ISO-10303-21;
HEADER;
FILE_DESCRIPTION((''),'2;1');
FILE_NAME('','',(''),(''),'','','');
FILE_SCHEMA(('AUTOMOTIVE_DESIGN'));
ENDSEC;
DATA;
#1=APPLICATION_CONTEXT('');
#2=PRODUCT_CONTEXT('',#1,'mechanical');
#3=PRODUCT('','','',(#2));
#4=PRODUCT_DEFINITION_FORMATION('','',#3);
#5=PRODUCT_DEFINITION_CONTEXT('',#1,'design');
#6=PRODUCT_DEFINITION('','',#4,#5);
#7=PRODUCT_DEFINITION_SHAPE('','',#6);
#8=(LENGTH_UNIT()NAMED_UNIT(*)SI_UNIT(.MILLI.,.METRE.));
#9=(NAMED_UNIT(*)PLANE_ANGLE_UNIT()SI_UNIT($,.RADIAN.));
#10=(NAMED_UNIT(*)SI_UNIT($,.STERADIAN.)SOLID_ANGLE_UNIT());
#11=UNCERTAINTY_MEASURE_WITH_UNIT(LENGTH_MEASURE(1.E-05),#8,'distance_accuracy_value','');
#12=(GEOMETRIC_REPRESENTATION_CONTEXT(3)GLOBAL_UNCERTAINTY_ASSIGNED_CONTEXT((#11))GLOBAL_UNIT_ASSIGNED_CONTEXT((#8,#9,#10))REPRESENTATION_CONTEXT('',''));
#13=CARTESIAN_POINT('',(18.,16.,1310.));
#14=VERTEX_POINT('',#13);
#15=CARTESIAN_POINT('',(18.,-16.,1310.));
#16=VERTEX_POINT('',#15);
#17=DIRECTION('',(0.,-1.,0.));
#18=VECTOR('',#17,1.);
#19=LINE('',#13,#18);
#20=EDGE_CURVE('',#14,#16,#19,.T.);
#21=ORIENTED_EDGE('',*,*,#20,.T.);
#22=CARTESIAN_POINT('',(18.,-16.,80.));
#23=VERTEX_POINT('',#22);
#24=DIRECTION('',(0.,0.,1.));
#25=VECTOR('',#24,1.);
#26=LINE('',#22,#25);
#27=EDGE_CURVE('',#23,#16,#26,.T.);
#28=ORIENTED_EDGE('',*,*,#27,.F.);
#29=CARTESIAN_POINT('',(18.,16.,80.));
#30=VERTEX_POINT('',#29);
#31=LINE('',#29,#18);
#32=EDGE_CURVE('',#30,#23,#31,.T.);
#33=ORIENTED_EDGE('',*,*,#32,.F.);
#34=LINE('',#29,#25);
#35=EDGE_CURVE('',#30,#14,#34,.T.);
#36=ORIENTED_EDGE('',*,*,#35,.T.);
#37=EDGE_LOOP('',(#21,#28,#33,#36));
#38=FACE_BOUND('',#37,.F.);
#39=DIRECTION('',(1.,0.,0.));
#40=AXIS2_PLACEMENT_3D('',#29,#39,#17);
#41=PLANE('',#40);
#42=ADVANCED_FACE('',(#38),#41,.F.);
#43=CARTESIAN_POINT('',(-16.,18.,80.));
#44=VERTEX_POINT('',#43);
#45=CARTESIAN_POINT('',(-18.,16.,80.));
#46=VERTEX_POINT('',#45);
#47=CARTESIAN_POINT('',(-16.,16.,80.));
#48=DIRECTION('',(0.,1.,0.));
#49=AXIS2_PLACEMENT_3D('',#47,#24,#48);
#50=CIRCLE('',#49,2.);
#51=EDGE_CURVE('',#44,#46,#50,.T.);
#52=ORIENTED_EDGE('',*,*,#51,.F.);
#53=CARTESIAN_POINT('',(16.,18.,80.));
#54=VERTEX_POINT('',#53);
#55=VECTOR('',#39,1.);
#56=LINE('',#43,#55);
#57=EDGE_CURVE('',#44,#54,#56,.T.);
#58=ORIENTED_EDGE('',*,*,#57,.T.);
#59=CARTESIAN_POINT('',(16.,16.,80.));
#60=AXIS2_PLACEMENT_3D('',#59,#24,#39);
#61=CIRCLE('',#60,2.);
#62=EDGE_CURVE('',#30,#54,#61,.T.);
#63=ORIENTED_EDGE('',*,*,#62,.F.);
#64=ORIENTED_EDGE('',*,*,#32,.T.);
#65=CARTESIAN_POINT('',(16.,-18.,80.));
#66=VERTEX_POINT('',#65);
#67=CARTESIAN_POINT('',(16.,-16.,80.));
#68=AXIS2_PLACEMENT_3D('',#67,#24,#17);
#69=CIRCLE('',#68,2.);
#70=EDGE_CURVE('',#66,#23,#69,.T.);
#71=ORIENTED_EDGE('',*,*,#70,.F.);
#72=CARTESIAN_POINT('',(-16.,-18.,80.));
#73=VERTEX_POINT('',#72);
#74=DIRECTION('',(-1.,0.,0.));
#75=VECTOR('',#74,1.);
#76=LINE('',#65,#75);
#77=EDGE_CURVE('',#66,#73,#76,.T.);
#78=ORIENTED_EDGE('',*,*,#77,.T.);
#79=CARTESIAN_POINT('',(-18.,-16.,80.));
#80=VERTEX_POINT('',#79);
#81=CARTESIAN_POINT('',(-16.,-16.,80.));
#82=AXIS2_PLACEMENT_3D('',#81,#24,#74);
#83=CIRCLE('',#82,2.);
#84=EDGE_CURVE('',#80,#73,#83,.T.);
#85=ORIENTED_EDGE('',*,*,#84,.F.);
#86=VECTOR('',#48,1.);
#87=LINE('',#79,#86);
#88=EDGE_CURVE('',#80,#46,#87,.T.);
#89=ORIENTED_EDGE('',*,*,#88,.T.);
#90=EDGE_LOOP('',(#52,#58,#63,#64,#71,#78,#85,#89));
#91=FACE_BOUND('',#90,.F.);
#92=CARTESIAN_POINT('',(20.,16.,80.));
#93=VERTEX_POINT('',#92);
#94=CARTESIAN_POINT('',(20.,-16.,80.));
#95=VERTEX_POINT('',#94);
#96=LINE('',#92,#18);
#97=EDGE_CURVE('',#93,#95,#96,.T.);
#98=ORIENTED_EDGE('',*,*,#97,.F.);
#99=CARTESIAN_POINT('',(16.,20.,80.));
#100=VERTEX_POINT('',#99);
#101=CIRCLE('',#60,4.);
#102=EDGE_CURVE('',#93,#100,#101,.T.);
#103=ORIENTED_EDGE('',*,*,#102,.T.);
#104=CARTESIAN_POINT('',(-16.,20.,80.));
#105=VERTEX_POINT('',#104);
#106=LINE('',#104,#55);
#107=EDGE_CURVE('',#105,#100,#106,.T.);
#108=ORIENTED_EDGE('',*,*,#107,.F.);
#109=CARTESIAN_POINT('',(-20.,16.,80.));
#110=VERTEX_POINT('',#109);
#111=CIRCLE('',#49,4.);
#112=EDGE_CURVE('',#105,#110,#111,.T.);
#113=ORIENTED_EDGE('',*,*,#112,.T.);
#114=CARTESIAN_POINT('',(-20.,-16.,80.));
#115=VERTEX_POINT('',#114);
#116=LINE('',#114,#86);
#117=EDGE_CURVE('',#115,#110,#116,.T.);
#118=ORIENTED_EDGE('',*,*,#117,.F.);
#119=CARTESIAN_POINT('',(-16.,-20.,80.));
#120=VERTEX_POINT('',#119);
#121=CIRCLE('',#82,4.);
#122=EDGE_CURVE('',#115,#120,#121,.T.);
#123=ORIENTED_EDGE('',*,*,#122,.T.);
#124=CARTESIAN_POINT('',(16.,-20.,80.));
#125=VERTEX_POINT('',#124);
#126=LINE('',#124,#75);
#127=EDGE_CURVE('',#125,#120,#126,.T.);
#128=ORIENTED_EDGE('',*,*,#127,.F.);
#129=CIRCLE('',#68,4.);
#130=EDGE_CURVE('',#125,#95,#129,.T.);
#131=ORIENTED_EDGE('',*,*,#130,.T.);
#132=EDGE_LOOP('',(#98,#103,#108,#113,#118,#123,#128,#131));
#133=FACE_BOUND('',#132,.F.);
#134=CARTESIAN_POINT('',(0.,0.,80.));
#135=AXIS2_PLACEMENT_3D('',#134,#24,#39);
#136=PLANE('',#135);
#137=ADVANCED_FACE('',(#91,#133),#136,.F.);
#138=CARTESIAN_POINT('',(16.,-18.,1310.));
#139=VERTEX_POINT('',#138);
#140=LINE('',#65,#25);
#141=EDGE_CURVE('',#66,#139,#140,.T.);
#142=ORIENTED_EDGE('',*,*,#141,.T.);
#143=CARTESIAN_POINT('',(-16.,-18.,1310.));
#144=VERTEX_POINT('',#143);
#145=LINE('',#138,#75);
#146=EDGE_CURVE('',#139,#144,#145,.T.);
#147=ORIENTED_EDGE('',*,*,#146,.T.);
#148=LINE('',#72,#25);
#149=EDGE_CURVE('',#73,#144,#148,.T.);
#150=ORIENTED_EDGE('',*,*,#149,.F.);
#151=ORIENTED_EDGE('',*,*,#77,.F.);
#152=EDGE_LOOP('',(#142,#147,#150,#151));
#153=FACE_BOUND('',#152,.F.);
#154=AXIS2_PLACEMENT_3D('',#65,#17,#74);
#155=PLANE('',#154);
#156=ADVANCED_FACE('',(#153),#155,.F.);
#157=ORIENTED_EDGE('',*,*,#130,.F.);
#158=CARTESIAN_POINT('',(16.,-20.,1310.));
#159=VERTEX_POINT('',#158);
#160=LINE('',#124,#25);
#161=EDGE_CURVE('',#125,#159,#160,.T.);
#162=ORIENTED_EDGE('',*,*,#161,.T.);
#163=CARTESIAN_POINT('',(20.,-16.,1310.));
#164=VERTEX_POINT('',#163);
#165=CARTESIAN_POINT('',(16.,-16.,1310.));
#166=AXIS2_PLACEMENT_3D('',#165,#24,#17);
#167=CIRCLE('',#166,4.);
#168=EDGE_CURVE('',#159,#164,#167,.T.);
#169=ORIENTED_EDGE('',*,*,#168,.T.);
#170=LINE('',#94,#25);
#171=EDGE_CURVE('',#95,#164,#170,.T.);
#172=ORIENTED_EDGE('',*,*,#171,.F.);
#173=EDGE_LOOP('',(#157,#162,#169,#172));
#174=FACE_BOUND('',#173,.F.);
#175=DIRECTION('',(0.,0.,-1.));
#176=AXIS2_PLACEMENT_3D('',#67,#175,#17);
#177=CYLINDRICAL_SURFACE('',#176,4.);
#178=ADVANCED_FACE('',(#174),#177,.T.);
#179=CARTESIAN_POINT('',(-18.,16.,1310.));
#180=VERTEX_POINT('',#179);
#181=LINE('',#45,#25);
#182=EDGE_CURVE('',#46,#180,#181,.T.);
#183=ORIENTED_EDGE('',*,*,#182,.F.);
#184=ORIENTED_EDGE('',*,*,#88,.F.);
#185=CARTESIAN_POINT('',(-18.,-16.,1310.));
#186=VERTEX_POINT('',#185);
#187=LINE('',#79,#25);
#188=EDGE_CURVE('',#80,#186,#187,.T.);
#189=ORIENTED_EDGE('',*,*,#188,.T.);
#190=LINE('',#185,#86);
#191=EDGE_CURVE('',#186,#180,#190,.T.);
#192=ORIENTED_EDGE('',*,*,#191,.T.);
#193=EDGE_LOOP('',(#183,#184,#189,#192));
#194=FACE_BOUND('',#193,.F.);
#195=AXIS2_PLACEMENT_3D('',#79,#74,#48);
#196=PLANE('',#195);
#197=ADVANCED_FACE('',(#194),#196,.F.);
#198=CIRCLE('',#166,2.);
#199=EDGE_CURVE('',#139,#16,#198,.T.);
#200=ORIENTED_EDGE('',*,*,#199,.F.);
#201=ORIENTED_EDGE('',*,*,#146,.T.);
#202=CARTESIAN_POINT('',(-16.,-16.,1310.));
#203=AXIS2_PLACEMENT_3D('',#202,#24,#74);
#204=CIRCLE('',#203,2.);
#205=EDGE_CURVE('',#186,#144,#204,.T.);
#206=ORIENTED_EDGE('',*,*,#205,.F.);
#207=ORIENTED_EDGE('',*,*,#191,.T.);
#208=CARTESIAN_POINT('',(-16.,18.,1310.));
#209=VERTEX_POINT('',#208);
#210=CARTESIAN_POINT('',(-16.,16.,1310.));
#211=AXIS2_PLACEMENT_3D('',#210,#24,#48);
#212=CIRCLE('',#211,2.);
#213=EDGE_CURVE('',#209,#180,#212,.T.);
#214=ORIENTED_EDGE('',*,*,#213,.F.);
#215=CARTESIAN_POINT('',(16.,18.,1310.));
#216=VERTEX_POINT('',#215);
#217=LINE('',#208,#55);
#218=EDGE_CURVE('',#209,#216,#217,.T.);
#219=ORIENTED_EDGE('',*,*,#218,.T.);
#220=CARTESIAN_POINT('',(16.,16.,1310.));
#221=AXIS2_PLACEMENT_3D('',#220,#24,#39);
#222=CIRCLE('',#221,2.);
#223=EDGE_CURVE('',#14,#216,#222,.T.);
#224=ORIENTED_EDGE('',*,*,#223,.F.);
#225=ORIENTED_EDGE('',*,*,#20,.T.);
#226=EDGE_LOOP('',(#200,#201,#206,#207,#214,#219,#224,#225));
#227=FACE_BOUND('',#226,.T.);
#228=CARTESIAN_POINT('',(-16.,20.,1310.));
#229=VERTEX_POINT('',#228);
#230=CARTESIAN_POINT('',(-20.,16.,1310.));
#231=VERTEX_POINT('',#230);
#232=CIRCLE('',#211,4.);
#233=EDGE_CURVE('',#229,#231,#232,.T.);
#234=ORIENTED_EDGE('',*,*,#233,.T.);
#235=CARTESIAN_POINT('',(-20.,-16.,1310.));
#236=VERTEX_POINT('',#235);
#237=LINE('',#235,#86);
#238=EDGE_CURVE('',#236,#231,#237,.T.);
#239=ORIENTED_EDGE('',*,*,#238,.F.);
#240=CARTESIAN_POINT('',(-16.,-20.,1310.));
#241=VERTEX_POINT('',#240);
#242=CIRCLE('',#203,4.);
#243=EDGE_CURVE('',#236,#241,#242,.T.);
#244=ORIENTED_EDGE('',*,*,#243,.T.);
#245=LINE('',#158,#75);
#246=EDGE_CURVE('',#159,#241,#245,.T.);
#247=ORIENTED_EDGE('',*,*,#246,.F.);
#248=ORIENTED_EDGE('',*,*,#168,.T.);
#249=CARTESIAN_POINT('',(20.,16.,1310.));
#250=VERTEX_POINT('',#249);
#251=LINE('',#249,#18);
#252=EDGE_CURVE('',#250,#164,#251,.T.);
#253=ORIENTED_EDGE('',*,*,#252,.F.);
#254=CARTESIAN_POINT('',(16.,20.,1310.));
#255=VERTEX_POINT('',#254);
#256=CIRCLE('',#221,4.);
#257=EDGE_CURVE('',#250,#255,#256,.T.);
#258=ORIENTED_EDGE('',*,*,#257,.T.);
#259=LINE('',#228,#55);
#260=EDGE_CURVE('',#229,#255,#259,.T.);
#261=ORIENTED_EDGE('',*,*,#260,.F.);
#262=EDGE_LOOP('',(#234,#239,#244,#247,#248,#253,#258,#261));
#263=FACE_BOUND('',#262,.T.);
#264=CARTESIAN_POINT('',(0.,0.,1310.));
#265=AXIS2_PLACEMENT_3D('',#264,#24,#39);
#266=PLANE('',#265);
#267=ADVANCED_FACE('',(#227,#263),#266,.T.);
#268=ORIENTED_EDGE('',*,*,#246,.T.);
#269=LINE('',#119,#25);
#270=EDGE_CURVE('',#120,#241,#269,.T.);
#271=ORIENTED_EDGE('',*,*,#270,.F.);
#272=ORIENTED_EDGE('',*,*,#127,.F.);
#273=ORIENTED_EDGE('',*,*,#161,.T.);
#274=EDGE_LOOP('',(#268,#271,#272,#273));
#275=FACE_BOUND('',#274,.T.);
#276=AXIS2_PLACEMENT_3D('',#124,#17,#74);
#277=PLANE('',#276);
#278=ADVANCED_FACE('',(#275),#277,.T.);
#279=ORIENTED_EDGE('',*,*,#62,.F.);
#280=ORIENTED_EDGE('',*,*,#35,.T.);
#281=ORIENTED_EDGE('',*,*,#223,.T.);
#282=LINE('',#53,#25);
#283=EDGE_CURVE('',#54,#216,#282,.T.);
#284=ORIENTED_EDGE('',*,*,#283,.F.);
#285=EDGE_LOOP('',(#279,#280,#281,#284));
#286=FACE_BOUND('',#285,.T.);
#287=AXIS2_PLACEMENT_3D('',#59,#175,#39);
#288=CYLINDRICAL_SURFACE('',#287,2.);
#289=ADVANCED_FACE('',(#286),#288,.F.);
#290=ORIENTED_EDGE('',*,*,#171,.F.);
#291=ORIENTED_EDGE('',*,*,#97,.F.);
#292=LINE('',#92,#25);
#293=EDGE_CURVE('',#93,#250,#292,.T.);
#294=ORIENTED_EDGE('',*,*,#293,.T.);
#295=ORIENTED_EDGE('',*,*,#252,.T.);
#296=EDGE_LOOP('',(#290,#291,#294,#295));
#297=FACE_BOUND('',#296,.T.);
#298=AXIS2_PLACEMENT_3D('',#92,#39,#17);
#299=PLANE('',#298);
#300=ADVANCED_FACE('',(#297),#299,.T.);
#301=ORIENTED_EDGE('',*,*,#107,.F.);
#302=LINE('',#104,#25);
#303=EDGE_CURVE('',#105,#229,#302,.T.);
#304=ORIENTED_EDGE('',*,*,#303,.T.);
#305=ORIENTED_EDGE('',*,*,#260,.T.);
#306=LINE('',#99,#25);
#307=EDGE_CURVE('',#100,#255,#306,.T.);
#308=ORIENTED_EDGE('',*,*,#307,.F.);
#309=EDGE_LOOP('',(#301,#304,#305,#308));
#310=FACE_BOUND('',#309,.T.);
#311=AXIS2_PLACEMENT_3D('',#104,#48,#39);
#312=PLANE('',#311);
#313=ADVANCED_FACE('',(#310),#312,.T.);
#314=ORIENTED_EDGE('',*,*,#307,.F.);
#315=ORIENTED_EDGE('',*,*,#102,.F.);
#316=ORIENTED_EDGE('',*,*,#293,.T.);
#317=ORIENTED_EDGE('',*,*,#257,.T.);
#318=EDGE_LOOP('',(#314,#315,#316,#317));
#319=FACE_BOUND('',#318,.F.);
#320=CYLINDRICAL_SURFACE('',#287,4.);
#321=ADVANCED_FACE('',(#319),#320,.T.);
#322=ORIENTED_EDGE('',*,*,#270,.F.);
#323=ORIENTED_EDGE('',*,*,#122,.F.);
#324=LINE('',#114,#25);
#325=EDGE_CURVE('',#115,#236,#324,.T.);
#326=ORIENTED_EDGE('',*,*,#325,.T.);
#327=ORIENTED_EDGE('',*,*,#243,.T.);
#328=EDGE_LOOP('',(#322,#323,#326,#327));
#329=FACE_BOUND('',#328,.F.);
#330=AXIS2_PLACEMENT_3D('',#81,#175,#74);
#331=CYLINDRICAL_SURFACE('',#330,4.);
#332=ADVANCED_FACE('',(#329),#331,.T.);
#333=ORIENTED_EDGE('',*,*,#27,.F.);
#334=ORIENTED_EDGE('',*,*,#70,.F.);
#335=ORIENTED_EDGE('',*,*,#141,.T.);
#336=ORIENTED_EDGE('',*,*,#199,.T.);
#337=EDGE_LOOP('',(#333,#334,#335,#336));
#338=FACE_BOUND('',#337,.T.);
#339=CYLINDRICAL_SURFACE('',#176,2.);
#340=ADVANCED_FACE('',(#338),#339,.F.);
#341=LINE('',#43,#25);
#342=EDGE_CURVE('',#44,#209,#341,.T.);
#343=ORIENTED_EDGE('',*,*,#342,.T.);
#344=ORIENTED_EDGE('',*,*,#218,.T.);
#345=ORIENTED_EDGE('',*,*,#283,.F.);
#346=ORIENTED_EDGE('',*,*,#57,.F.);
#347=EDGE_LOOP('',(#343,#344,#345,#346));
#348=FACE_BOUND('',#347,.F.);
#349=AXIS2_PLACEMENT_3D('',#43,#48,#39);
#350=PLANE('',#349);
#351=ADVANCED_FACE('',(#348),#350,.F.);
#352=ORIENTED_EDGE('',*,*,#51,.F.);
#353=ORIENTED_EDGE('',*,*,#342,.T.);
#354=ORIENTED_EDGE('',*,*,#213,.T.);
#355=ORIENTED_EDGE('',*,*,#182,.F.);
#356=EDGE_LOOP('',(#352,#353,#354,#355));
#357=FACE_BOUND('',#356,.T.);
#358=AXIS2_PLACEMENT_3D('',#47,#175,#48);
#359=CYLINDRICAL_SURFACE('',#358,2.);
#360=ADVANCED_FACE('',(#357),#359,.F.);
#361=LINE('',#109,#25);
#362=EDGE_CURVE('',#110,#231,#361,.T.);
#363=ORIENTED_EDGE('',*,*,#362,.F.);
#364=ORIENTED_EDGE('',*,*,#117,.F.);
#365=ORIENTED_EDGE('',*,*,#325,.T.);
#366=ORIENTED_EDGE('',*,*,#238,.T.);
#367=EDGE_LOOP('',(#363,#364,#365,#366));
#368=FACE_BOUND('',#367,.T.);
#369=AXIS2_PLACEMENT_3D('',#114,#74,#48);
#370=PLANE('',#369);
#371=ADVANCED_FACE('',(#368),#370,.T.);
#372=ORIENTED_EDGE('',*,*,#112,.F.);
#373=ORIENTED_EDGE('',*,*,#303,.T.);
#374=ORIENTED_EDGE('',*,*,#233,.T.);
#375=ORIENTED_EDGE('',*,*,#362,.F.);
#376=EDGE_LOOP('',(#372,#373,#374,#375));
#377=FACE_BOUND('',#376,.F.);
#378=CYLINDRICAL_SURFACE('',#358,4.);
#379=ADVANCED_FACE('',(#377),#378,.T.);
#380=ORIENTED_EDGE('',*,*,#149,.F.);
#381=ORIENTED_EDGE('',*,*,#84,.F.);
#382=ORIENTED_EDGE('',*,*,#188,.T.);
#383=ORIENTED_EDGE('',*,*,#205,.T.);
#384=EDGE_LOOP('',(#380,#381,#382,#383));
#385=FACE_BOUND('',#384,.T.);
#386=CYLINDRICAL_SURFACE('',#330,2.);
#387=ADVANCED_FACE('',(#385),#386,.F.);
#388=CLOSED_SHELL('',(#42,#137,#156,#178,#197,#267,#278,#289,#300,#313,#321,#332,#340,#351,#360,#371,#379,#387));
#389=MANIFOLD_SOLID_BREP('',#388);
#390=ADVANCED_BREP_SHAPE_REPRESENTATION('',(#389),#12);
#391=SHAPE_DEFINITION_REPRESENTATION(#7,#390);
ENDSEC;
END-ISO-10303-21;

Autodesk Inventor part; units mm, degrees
ref_plane "YZ Plane" through (0, 0, 0) normal (1, 0, 0) x (0, 1, 0)
ref_plane "Start Plane" through (0, 0, 80) normal (0, 0, 1) x (1, 0, 0)
ref_plane "End Plane" through (0, 0, 1310) normal (0, 0, 1) x (1, 0, 0)
sketch "Sketch" plane through (0, 0, 0) normal (0, 0, 1) x (1, 0, 0)
  line L0 (-20, -16) -> (-20, 16)
  line L1 (-16, 20) -> (16, 20)
  line L2 (20, 16) -> (20, -16)
  line L3 (16, -20) -> (-16, -20)
  arc A0 (-20, -16) -> (-16, -20) centre (-16, -16) ccw
  arc A1 (20, 16) -> (16, 20) centre (16, 16) ccw
  arc A2 (-16, 20) -> (-20, 16) centre (-16, 16) ccw
  arc A3 (16, -20) -> (20, -16) centre (16, -16) ccw
  arc A4 (-16, 18) -> (-18, 16) centre (-16, 16) ccw
  line L4 (-16, 18) -> (16, 18)
  arc A5 (18, 16) -> (16, 18) centre (16, 16) ccw
  line L5 (18, 16) -> (18, -16)
  arc A6 (16, -18) -> (18, -16) centre (16, -16) ccw
  line L6 (16, -18) -> (-16, -18)
  arc A7 (-18, -16) -> (-16, -18) centre (-16, -16) ccw
  line L7 (-18, -16) -> (-18, 16)
  line L8 (0, 29.1598) -> (0, -29.1598) construction
  line L9 (-29.1598, 0) -> (29.1598, 0) construction
  dimension "d7" = 4
  dimension "d9" = 40
  dimension "d11" = 40
  dimension "d12" = 2
  dimension "d15" = 20
  dimension "d16" = 20
extrude "Body" add sketch "Sketch" along normal up to surface (1230 mm away) from surface at 80
sketch "Sketch3" plane through (0, 0, 0) normal (0, 0, 1) x (1, 0, 0)
  line L0 (0, 0) -> (10, 0)
ref_plane "Work Plane3" through (0, 0, 0) normal (0, -1, 0) x (1, 0, 0)
sketch "Sketch4" plane through (0, 0, 0) normal (0, -1, 0) x (1, 0, 0)
  line L0 (-2, 80) -> (12, 80) projected
  line L1 (-2, 1310) -> (12, 1310) projected
  dimension "d18" = 1230
equation "\"d7\" = G_IR"
equation "\"d9\" = G_W"
equation "\"d11\" = G_H"
equation "\"d12\" = G_T"
equation "\"d15\" = 0.5 * d9"
equation "\"d16\" = 0.5 * d11"
equation "\"d3\" = G_L"
equation "\"G_W\" = 40"
equation "\"G_H\" = 40"
equation "\"G_T\" = 2"
equation "\"G_IR\" = 4"
equation "\"G_L\" = d18"
properties part number "ISO 10799-2 - 40x40x2 - 1230" material "Steel, Mild"
